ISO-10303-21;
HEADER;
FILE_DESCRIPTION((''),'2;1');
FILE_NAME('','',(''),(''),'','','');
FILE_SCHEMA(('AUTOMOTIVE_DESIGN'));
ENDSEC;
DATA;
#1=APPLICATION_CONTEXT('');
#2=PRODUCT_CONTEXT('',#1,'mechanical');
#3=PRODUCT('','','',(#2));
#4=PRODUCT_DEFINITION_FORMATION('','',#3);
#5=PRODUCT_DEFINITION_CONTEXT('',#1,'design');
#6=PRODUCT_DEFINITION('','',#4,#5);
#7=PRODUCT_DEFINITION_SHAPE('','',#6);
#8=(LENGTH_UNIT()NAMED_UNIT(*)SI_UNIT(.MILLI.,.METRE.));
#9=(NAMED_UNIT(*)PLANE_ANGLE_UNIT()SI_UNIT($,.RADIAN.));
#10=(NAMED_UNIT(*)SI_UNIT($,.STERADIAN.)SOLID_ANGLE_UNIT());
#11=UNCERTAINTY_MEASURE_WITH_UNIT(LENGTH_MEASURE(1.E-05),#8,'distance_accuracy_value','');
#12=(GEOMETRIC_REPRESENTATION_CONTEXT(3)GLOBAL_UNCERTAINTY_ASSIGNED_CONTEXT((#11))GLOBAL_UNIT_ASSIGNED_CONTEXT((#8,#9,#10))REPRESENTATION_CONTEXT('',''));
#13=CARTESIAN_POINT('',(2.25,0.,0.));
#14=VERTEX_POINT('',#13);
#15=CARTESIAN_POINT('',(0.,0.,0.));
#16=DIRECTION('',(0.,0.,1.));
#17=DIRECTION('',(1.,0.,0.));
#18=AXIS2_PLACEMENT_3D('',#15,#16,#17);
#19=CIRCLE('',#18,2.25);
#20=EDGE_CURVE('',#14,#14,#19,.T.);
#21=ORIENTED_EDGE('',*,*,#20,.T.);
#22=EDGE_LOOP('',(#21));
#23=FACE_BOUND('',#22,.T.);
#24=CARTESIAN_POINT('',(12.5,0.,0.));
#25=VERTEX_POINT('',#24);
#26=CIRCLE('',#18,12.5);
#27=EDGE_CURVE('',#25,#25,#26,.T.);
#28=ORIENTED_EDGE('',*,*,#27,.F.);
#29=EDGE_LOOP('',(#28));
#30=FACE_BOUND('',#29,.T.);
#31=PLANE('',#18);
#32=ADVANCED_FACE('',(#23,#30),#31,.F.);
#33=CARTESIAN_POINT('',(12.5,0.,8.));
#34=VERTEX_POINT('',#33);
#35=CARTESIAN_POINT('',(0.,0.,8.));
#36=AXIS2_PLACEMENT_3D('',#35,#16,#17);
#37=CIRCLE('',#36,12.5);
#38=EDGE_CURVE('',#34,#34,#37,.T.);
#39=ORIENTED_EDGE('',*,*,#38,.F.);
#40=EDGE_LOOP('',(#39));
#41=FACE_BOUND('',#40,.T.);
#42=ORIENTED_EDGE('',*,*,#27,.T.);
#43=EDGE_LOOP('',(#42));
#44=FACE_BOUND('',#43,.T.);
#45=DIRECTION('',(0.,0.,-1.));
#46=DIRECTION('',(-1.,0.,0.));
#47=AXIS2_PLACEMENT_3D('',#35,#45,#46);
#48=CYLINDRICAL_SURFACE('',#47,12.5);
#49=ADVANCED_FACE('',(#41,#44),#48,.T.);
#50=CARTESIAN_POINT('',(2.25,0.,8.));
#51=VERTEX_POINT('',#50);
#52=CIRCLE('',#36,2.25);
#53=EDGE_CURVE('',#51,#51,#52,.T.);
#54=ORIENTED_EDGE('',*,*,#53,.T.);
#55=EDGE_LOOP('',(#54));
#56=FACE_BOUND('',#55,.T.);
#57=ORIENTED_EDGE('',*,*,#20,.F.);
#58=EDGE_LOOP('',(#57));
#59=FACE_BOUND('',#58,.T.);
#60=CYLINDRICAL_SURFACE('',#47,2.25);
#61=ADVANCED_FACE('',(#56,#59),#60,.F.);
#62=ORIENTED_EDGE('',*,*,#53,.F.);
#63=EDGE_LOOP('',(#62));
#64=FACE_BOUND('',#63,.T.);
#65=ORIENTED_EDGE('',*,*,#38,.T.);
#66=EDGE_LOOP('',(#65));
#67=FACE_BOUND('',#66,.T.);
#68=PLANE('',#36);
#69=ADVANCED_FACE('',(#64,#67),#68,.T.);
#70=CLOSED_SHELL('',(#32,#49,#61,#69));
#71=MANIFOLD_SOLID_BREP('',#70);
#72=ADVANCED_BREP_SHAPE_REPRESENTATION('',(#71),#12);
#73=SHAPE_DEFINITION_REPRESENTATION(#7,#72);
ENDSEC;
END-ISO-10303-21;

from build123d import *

# Parameters (mm, degrees)
ESQUISSE1_R        = 12.5
ESQUISSE1_R_2      = 2.25
BOSS_EXTRU_1_DEPTH = 8


with BuildPart() as part:
    # Esquisse1 → Boss.-Extru.1 (new body)
    with BuildSketch(Plane.XY):
        Circle(ESQUISSE1_R)
        Circle(ESQUISSE1_R_2, mode=Mode.SUBTRACT)
    extrude(amount=BOSS_EXTRU_1_DEPTH)


solid = part.part
